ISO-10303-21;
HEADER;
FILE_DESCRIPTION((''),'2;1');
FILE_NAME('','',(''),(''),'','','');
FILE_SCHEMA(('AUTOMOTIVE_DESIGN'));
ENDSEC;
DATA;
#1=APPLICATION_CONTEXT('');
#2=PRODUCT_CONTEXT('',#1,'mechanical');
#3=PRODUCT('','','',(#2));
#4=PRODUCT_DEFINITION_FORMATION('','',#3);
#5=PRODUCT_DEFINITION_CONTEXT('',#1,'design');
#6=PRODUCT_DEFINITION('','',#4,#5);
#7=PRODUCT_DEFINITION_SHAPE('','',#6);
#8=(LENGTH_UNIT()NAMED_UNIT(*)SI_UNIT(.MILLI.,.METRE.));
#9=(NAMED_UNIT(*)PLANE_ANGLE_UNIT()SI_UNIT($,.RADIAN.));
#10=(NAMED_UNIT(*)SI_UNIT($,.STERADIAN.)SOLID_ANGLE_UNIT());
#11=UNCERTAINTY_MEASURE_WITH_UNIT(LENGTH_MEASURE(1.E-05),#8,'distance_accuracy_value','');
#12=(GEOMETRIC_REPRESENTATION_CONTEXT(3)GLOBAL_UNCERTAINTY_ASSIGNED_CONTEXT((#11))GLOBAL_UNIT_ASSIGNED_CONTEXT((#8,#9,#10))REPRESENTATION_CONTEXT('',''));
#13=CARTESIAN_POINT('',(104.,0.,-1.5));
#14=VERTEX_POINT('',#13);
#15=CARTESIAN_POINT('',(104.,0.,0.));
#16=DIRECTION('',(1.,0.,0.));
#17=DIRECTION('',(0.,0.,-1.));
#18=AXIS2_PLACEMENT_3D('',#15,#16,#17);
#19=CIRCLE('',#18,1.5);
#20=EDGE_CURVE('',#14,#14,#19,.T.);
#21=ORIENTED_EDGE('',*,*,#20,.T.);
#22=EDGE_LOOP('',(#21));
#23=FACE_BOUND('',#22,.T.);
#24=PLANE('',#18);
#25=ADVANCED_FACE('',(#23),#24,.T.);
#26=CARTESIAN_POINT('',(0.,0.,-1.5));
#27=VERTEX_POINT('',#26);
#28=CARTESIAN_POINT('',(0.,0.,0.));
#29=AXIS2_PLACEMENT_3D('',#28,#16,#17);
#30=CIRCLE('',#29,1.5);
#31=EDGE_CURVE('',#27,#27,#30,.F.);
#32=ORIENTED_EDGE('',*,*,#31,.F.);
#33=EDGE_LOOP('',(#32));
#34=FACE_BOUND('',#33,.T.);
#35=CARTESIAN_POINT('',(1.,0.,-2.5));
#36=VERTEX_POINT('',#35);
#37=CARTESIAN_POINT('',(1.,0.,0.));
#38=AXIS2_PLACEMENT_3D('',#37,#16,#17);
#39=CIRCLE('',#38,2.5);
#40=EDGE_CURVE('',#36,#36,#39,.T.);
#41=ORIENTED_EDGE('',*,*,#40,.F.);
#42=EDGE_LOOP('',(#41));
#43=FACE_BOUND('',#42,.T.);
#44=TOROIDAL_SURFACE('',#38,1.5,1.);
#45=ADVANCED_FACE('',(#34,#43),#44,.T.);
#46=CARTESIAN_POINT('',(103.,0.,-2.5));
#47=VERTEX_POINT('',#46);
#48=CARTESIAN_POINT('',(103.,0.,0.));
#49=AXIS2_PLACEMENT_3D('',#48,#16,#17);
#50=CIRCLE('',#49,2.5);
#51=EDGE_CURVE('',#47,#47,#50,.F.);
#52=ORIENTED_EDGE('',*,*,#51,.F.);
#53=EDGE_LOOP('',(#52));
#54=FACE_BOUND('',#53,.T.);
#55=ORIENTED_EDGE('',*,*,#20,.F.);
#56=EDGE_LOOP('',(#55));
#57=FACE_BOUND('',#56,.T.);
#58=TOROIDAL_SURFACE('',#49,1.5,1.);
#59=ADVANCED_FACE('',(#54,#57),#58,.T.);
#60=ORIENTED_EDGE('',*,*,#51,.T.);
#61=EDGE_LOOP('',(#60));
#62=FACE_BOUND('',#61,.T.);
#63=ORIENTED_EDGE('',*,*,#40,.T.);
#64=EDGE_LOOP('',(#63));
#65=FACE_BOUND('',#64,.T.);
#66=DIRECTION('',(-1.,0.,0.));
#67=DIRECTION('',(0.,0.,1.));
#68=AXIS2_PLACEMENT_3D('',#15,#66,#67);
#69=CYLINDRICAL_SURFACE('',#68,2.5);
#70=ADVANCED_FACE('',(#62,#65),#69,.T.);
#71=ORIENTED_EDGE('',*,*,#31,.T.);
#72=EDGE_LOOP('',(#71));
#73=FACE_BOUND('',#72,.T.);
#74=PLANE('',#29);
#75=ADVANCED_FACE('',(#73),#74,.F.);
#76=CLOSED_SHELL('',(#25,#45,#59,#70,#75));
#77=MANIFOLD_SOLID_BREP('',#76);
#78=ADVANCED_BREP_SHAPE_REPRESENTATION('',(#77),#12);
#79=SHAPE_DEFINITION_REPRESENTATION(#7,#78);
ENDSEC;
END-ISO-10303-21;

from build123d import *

# Parameters (mm, degrees)
SKETCH1_R           = 2.5
BOSS_EXTRUDE1_DEPTH = 104
FILLET1_R           = 1


with BuildPart() as part:
    # Sketch1 → Boss-Extrude1 (new body)
    with BuildSketch(Plane.YZ):
        Circle(SKETCH1_R)
    extrude(amount=BOSS_EXTRUDE1_DEPTH)

    # Fillet1
    fillet1_edges = [part.edges().sort_by_distance(p)[0] for p in [
        (0, -2.5, 0),
        (104, -2.5, 0),
    ]]
    fillet(fillet1_edges, radius=FILLET1_R)


solid = part.part
